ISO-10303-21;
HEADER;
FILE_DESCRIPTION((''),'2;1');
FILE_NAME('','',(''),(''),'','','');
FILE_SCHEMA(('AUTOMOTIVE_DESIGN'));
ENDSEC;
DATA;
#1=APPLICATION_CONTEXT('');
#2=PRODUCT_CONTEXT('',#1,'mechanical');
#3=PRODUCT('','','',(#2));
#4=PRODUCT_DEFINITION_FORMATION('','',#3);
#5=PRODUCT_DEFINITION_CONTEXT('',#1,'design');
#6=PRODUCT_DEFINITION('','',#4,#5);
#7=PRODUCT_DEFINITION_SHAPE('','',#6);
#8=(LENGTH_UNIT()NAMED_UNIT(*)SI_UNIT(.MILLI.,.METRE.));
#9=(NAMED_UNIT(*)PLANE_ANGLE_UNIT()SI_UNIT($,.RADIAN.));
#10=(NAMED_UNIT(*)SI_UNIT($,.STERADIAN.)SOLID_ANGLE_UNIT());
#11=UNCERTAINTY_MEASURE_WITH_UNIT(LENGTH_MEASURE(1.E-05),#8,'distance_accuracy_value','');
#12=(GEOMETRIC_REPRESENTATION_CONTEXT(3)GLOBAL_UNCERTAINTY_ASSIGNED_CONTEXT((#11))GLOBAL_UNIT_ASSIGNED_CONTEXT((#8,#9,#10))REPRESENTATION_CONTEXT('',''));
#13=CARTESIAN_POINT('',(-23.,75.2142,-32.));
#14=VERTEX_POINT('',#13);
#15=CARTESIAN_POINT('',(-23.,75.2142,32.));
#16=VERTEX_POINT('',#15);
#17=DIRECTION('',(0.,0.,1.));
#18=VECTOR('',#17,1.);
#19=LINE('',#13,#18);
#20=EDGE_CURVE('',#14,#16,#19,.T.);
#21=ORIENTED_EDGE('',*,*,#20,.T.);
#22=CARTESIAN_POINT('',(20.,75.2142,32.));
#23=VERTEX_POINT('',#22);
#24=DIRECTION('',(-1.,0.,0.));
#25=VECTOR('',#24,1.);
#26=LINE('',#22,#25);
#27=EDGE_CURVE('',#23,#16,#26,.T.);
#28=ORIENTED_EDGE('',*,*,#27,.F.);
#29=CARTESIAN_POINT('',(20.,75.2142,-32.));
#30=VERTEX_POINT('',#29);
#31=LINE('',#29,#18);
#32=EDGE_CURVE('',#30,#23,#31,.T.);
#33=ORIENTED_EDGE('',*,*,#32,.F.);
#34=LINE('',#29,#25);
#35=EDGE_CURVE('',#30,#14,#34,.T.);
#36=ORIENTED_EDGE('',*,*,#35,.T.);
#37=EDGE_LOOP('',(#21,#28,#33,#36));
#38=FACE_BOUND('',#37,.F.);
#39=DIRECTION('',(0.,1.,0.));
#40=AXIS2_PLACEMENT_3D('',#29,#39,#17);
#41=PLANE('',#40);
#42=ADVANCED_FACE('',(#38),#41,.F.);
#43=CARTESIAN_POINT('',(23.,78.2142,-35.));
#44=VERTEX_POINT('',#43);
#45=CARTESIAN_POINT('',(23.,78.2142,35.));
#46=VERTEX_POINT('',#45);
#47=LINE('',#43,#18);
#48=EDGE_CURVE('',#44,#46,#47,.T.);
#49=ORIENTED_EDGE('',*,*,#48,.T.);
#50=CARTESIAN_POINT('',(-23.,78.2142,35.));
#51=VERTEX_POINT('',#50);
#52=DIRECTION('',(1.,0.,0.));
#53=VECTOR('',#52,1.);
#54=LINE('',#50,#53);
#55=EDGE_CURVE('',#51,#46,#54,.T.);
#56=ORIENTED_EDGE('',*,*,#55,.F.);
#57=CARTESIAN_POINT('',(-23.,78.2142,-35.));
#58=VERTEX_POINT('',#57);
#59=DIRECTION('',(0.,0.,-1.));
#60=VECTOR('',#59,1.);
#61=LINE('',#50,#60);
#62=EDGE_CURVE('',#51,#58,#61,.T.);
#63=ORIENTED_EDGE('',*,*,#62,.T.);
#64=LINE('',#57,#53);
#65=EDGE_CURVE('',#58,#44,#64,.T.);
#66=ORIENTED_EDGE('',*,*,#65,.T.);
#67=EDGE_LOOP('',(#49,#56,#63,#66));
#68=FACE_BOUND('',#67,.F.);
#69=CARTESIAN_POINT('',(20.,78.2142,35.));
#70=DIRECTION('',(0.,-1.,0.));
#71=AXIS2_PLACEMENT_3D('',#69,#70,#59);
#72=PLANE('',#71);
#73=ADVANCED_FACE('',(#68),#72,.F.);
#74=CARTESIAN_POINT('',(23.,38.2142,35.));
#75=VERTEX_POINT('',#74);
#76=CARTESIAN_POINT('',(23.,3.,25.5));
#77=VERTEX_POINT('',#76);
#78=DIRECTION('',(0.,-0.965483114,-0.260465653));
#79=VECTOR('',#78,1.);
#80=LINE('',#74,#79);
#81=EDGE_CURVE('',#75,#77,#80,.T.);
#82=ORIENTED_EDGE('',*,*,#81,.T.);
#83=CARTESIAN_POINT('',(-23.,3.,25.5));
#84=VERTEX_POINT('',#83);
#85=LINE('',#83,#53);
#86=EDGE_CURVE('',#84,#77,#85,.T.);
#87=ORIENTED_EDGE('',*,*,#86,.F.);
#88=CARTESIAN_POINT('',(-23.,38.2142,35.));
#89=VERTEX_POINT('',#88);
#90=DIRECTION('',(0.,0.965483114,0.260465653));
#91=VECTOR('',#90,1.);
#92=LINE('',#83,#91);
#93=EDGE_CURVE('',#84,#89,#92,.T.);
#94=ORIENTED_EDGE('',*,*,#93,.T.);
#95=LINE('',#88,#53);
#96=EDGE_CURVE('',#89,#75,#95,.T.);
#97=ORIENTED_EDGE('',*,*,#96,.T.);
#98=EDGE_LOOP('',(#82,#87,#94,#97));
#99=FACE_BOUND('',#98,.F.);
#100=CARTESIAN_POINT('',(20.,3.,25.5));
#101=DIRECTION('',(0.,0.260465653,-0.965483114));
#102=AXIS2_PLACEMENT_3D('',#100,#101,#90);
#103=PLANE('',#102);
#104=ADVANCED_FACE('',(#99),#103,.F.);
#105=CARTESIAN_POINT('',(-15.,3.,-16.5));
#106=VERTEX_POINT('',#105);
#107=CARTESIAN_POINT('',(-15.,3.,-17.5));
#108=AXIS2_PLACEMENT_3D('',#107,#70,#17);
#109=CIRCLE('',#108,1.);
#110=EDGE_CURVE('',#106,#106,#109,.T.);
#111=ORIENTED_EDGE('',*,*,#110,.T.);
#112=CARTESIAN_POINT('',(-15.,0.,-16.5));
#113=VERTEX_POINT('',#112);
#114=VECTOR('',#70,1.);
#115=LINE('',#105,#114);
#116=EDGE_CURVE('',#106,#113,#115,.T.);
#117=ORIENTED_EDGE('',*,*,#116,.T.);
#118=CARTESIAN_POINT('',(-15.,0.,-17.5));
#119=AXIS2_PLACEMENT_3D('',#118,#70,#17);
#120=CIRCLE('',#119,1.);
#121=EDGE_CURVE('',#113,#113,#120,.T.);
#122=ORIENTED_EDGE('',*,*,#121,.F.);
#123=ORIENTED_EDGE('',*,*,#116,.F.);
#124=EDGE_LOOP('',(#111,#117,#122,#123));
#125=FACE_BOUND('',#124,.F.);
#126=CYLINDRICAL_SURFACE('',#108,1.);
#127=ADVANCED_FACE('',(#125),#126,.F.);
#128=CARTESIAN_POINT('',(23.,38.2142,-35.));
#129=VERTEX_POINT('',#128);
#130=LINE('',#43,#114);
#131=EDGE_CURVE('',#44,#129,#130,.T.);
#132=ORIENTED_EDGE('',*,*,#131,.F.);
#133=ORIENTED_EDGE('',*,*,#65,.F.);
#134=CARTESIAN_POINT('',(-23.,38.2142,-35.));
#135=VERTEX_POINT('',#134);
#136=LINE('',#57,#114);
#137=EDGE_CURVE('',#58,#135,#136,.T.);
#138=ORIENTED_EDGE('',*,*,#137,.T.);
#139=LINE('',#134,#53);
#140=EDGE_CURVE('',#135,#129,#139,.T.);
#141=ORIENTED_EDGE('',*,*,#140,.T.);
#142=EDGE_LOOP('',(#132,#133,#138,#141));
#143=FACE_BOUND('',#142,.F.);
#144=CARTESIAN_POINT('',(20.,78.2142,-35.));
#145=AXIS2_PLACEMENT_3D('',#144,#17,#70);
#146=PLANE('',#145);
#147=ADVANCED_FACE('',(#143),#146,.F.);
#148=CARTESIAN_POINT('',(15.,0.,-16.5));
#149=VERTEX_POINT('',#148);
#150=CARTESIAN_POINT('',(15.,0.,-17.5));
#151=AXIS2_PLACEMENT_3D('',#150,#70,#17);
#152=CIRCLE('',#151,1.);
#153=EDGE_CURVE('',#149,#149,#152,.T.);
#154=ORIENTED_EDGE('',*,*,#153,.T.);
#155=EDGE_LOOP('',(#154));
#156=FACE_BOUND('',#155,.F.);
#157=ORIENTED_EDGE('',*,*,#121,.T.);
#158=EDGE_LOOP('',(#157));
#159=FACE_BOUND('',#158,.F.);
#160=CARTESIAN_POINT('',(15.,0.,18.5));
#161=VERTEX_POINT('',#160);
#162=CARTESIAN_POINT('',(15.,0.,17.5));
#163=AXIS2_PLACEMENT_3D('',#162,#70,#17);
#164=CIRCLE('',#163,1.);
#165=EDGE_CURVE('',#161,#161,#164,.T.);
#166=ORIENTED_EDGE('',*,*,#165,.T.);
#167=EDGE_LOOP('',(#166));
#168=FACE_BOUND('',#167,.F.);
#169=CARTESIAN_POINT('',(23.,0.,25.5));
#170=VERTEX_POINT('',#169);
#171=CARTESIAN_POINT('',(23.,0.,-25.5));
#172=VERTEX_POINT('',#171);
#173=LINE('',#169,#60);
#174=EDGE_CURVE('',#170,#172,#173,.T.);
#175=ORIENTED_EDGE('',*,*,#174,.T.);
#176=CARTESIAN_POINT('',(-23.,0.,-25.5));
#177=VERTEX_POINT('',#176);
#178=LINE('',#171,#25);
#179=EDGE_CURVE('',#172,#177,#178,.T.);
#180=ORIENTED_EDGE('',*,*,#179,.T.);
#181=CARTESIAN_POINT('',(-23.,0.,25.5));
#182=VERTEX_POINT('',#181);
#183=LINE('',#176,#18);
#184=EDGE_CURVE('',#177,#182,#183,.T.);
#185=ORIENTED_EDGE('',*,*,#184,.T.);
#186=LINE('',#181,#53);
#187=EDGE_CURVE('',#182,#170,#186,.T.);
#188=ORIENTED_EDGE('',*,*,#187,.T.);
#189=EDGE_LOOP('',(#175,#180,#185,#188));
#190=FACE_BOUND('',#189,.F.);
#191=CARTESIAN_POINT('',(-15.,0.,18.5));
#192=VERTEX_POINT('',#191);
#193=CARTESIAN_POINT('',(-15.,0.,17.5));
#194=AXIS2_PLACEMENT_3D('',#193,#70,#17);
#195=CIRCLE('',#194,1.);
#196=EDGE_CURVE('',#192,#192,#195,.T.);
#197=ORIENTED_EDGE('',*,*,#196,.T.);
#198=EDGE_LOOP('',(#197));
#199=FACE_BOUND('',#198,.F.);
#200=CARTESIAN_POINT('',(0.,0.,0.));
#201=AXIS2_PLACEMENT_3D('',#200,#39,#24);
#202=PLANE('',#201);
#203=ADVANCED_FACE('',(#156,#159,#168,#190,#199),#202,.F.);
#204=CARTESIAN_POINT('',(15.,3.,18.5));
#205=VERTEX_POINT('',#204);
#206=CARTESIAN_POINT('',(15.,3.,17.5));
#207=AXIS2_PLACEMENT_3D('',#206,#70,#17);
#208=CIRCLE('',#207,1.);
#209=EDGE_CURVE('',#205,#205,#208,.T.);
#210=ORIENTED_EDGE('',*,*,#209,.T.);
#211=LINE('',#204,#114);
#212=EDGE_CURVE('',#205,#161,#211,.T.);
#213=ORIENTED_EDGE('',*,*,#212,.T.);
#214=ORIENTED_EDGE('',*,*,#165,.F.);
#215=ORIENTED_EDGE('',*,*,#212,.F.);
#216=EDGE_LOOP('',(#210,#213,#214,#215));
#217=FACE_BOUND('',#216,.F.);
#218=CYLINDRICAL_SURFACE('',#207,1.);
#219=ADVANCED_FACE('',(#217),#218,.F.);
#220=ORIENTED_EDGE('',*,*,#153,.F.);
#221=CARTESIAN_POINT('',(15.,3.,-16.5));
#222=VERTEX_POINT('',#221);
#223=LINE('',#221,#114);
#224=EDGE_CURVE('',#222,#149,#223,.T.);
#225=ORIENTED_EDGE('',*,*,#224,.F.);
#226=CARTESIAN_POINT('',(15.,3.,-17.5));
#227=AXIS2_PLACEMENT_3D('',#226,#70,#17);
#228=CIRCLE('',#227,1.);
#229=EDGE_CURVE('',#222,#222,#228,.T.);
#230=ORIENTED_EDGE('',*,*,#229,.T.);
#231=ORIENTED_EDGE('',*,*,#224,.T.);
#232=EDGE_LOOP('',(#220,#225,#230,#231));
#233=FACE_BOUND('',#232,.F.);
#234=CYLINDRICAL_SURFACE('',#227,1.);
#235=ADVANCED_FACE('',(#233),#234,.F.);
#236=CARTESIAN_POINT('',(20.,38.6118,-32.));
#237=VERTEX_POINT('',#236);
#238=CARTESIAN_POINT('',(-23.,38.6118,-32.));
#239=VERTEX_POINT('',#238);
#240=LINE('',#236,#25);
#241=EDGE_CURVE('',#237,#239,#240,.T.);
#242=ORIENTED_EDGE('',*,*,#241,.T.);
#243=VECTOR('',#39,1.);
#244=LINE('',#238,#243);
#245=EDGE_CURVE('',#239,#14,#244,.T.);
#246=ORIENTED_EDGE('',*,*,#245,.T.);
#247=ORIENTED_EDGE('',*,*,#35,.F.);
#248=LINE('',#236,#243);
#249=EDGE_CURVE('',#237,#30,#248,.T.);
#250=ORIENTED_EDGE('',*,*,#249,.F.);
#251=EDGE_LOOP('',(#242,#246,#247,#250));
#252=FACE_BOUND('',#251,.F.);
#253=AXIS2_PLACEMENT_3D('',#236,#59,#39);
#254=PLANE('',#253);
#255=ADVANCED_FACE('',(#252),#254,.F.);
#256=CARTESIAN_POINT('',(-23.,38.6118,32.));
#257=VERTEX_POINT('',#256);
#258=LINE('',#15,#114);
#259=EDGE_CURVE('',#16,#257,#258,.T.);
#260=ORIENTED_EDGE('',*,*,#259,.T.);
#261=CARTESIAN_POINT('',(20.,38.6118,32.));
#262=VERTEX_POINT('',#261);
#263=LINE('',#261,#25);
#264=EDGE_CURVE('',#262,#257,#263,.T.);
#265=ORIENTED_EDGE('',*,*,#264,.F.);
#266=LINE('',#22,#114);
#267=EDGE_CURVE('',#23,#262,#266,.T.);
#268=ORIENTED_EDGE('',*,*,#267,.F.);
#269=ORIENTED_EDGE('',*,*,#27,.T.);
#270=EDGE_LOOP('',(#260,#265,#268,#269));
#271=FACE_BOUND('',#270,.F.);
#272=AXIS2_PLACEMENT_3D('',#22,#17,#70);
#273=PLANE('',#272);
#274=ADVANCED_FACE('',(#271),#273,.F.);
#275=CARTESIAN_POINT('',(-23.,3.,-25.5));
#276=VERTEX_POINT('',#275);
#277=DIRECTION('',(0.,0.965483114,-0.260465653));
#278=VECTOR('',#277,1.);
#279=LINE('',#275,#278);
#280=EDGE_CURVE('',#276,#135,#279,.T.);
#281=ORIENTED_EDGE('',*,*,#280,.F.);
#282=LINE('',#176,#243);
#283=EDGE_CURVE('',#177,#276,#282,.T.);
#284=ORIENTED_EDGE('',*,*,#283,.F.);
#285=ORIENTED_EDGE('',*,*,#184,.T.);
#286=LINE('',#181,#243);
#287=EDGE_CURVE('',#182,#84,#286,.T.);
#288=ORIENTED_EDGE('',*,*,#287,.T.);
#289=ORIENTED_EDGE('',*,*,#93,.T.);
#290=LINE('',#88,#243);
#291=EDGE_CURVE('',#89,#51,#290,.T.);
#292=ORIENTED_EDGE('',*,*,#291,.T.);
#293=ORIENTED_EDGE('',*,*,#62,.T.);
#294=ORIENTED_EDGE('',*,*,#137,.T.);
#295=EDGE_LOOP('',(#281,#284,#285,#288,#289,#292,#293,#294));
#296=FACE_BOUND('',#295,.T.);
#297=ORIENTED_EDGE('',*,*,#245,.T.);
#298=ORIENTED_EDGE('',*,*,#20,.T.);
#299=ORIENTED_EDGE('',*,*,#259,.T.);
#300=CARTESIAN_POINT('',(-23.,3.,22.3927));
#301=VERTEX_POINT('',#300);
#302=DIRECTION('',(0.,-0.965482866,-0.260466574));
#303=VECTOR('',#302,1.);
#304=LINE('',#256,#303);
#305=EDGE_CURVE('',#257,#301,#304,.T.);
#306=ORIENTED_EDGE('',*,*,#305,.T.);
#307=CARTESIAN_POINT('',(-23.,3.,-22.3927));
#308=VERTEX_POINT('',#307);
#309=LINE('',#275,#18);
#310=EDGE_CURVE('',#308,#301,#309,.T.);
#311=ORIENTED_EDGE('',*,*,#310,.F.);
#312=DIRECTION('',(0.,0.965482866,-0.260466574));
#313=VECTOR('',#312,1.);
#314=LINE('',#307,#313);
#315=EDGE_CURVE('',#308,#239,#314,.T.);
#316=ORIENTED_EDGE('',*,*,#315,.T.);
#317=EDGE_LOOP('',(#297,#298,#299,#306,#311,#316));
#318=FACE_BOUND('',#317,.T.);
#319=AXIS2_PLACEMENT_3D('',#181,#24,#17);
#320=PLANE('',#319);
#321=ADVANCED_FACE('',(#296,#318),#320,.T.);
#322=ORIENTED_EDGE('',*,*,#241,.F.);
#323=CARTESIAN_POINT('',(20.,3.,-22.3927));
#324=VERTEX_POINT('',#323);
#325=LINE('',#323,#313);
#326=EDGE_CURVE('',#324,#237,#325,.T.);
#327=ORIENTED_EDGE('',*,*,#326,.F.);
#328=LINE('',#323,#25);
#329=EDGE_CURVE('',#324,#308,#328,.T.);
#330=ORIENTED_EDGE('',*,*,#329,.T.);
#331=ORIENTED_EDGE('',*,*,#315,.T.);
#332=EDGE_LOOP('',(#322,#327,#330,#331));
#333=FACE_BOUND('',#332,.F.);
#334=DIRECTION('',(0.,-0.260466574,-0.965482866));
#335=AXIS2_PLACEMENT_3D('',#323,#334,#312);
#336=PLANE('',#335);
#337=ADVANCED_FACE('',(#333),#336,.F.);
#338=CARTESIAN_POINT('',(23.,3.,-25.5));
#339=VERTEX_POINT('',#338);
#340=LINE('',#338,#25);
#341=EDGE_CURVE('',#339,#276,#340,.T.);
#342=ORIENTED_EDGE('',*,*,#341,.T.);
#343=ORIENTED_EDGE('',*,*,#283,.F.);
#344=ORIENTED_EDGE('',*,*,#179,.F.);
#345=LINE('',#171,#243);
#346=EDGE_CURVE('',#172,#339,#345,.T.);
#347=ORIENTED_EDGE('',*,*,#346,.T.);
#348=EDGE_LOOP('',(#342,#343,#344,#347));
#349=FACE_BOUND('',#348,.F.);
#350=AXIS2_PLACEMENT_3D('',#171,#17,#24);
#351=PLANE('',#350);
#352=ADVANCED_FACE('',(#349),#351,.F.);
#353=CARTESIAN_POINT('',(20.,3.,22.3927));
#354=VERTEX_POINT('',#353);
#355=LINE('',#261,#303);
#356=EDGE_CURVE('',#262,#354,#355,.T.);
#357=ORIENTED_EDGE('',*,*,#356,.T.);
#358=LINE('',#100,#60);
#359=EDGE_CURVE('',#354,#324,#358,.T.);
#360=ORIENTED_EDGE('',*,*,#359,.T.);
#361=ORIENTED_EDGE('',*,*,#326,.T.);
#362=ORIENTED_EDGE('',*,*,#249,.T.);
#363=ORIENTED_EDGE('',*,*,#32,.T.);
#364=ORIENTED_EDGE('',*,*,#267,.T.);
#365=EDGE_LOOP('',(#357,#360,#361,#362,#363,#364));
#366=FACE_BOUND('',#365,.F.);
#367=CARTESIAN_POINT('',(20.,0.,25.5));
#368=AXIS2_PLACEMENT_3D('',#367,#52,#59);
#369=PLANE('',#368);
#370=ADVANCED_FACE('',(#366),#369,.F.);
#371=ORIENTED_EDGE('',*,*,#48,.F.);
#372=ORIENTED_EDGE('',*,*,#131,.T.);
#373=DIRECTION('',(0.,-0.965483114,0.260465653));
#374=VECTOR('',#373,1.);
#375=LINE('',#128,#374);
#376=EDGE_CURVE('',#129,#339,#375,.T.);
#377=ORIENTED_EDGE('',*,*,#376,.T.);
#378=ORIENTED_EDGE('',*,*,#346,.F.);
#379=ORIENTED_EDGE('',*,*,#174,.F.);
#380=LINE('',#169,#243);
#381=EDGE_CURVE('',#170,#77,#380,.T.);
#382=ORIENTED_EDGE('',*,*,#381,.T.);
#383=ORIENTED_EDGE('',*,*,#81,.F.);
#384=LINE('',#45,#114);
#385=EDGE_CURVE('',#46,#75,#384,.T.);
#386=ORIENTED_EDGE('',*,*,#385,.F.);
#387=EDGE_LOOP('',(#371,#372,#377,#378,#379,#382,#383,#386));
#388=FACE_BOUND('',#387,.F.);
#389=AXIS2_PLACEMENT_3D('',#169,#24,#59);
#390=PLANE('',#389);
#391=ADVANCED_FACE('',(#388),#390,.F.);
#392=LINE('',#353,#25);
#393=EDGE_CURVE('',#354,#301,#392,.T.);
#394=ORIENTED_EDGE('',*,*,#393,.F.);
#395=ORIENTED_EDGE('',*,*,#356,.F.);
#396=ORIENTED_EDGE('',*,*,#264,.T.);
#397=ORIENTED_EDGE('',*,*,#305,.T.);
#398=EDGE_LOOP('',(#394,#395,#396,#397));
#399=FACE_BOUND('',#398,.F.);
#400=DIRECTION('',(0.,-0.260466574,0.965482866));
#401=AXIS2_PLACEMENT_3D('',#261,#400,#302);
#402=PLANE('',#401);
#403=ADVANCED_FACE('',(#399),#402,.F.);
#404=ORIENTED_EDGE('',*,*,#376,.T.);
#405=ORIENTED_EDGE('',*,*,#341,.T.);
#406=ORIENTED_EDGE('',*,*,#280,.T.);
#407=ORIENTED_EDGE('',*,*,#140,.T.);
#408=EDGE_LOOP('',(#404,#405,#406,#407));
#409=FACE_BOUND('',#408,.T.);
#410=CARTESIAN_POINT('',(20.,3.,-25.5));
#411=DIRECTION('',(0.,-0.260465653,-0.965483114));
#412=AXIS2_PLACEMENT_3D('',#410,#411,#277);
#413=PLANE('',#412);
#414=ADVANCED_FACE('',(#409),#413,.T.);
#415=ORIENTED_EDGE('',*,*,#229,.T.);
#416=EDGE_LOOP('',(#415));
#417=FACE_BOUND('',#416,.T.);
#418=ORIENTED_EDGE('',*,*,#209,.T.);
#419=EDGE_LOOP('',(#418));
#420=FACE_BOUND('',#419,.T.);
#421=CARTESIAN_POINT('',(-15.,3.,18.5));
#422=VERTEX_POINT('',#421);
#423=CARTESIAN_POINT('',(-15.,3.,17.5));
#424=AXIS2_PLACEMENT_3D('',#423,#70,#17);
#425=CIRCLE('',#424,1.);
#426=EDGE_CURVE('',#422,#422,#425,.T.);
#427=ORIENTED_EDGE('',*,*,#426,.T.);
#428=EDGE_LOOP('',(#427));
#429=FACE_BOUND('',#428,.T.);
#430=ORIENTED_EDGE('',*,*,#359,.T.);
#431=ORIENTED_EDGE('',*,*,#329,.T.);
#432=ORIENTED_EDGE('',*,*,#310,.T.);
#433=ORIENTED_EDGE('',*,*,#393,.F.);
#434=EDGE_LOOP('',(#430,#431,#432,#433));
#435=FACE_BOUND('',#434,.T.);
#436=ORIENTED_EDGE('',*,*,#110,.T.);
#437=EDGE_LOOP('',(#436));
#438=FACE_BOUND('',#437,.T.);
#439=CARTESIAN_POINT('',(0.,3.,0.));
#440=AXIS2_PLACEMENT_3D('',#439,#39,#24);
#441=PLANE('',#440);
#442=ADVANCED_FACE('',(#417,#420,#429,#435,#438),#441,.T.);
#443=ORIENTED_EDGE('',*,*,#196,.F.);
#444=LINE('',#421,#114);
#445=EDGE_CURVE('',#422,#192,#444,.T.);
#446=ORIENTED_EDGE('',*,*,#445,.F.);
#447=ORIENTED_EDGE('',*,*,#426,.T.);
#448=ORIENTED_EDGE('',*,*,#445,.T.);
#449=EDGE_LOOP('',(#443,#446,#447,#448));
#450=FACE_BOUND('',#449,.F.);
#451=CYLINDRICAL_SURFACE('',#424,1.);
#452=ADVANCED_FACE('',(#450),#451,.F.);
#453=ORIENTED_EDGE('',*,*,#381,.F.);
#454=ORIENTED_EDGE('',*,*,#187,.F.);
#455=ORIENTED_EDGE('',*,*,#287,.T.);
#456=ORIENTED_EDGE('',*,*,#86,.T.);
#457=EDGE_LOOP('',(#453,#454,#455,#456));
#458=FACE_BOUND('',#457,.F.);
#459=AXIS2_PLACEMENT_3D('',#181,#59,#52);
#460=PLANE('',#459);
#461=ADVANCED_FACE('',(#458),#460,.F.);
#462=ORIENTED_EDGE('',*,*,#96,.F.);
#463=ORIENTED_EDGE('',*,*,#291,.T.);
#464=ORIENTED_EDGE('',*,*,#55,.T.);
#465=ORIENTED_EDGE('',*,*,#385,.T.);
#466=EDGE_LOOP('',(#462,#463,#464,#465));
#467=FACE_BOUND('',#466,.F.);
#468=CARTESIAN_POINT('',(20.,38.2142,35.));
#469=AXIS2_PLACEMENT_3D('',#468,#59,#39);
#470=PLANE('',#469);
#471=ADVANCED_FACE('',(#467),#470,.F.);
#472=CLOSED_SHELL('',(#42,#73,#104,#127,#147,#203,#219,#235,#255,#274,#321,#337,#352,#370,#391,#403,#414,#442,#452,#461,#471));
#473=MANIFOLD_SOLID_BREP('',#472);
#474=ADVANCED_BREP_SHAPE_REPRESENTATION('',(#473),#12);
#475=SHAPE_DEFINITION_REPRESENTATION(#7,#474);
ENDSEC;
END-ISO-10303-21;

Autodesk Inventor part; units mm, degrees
ref_plane "YZ Plane" through (0, 0, 0) normal (1, 0, 0) x (0, 1, 0)
ref_plane "XZ Plane" through (0, 0, 0) normal (0, 1, 0) x (-1, 0, 0)
sketch "Sketch1" plane through (0, 0, 0) normal (0, 1, 0) x (-1, 0, 0)
  line L0 (23, 25.5) -> (-23, 25.5)
  line L1 (-23, 25.5) -> (-23, -25.5)
  line L2 (-23, -25.5) -> (23, -25.5)
  line L3 (23, -25.5) -> (23, 25.5)
  point P0 (0, 0)
  point P1 (-23, 0)
  point P2 (23, 0)
  point P3 (0, 25.5)
  point P4 (0, -25.5)
  dimension "d0" = 46
  dimension "d1" = 51
extrude "Extrusion1" add sketch "Sketch1" along normal blind 3
sketch "Sketch2" plane through (0, 3, 0) normal (0, 1, 0) x (1, 0, 0)
  line L0 (-23, -25.5) -> (23, -25.5) projected
  line L1 (23, 25.5) -> (-23, 25.5) projected
  line L2 (-23, 25.5) -> (-23, -25.5) projected
  line L3 (23, -25.5) -> (23, 25.5) projected
  point P0 (0, 0)
  point P1 (-15, -17.5)
  point P2 (-15, 17.5)
  point P3 (15, -17.5)
  point P4 (15, 17.5)
  dimension "d4" = 8
  dimension "d5" = 8
  dimension "d6" = 8
  dimension "d7" = 8
  dimension "d8" = 8
  dimension "d9" = 8
  dimension "d10" = 8
  dimension "d11" = 8
hole "Hole1" at (-15, 3, 17.5) at (-15, 3, -17.5) at (15, 3, 17.5) at (15, 3, -17.5) direction (0, -1, 0) diameter 2 end through all
ref_plane "Work Plane1" through (23, 0, 25.5) normal (1, 0, 0) x (0, 0, -1)
sketch "Sketch3" plane through (23, 0, 25.5) normal (1, 0, 0) x (0, 0, -1)
  line L0 (25.5, 0) -> (25.5, 200)
  line L1 (60.5, 78.2142) -> (-9.5, 78.2142)
  line L2 (51, 3) -> (0, 3) projected
  line L3 (0, 3) -> (51, 3) projected
  line L4 (60.5, 78.2142) -> (60.5, 38.2142)
  line L5 (-9.5, 78.2142) -> (-9.5, 38.2142)
  line L6 (-9.5, 38.2142) -> (0, 3)
  line L7 (60.5, 38.2142) -> (51, 3)
  point P0 (25.5, 78.2142)
  point P1 (25.5, 3)
  point P2 (25.5, 3)
  dimension "d19" = 200
  dimension "d20" = 70
  dimension "d23" = 40
  dimension "d24" = 40
extrude "Extrusion3" add sketch "Sketch3" against normal blind 3
sketch "Sketch4" plane through (20, 0, 25.5) normal (-1, 0, 0) x (0, 0, 1)
  line L0 (-51, 3) -> (0, 3) projected
  line L1 (-60.5, 78.2142) -> (-60.5, 38.2142) projected
  line L2 (-51, 3) -> (-60.5, 38.2142)
  line L3 (9.5, 78.2142) -> (-60.5, 78.2142) projected
  line L4 (-60.5, 38.2142) -> (-60.5, 78.2142)
  line L5 (9.5, 38.2142) -> (9.5, 78.2142) projected
  line L6 (-60.5, 78.2142) -> (9.5, 78.2142)
  line L7 (0, 3) -> (9.5, 38.2142) projected
  line L8 (9.5, 78.2142) -> (9.5, 38.2142)
  line L9 (9.5, 38.2142) -> (0, 3)
  line L10 (-47.8927, 3) -> (-57.5, 38.6118)
  line L11 (-57.5, 38.6118) -> (-57.5, 75.2142)
  line L12 (-57.5, 75.2142) -> (6.5, 75.2142)
  line L13 (6.5, 75.2142) -> (6.5, 38.6118)
  line L14 (6.5, 38.6118) -> (-3.1073, 3)
  point P0 (-25.5, 0)
  dimension "d27" = 3
  dimension "d28" = 3
  dimension "d29" = 3
  dimension "d30" = 3
  dimension "d31" = 3
extrude "Extrusion4" add sketch "Sketch4" along normal blind 43 contours L2 L1 L3 L5 L7 L0 L14 L13 L12 L11 L10
equation "\"d5\" = d10"
equation "\"d6\" = d4"
equation "\"d7\" = d8"
equation "\"d8\" = d4"
equation "\"d9\" = d10"
equation "\"d10\" = d6"
equation "\"d11\" = d7"
equation "\"d27\" = d28"
equation "\"d28\" = d29"
equation "\"d29\" = d30"
equation "\"d30\" = d31"
properties part number "Upper_body_v2"
